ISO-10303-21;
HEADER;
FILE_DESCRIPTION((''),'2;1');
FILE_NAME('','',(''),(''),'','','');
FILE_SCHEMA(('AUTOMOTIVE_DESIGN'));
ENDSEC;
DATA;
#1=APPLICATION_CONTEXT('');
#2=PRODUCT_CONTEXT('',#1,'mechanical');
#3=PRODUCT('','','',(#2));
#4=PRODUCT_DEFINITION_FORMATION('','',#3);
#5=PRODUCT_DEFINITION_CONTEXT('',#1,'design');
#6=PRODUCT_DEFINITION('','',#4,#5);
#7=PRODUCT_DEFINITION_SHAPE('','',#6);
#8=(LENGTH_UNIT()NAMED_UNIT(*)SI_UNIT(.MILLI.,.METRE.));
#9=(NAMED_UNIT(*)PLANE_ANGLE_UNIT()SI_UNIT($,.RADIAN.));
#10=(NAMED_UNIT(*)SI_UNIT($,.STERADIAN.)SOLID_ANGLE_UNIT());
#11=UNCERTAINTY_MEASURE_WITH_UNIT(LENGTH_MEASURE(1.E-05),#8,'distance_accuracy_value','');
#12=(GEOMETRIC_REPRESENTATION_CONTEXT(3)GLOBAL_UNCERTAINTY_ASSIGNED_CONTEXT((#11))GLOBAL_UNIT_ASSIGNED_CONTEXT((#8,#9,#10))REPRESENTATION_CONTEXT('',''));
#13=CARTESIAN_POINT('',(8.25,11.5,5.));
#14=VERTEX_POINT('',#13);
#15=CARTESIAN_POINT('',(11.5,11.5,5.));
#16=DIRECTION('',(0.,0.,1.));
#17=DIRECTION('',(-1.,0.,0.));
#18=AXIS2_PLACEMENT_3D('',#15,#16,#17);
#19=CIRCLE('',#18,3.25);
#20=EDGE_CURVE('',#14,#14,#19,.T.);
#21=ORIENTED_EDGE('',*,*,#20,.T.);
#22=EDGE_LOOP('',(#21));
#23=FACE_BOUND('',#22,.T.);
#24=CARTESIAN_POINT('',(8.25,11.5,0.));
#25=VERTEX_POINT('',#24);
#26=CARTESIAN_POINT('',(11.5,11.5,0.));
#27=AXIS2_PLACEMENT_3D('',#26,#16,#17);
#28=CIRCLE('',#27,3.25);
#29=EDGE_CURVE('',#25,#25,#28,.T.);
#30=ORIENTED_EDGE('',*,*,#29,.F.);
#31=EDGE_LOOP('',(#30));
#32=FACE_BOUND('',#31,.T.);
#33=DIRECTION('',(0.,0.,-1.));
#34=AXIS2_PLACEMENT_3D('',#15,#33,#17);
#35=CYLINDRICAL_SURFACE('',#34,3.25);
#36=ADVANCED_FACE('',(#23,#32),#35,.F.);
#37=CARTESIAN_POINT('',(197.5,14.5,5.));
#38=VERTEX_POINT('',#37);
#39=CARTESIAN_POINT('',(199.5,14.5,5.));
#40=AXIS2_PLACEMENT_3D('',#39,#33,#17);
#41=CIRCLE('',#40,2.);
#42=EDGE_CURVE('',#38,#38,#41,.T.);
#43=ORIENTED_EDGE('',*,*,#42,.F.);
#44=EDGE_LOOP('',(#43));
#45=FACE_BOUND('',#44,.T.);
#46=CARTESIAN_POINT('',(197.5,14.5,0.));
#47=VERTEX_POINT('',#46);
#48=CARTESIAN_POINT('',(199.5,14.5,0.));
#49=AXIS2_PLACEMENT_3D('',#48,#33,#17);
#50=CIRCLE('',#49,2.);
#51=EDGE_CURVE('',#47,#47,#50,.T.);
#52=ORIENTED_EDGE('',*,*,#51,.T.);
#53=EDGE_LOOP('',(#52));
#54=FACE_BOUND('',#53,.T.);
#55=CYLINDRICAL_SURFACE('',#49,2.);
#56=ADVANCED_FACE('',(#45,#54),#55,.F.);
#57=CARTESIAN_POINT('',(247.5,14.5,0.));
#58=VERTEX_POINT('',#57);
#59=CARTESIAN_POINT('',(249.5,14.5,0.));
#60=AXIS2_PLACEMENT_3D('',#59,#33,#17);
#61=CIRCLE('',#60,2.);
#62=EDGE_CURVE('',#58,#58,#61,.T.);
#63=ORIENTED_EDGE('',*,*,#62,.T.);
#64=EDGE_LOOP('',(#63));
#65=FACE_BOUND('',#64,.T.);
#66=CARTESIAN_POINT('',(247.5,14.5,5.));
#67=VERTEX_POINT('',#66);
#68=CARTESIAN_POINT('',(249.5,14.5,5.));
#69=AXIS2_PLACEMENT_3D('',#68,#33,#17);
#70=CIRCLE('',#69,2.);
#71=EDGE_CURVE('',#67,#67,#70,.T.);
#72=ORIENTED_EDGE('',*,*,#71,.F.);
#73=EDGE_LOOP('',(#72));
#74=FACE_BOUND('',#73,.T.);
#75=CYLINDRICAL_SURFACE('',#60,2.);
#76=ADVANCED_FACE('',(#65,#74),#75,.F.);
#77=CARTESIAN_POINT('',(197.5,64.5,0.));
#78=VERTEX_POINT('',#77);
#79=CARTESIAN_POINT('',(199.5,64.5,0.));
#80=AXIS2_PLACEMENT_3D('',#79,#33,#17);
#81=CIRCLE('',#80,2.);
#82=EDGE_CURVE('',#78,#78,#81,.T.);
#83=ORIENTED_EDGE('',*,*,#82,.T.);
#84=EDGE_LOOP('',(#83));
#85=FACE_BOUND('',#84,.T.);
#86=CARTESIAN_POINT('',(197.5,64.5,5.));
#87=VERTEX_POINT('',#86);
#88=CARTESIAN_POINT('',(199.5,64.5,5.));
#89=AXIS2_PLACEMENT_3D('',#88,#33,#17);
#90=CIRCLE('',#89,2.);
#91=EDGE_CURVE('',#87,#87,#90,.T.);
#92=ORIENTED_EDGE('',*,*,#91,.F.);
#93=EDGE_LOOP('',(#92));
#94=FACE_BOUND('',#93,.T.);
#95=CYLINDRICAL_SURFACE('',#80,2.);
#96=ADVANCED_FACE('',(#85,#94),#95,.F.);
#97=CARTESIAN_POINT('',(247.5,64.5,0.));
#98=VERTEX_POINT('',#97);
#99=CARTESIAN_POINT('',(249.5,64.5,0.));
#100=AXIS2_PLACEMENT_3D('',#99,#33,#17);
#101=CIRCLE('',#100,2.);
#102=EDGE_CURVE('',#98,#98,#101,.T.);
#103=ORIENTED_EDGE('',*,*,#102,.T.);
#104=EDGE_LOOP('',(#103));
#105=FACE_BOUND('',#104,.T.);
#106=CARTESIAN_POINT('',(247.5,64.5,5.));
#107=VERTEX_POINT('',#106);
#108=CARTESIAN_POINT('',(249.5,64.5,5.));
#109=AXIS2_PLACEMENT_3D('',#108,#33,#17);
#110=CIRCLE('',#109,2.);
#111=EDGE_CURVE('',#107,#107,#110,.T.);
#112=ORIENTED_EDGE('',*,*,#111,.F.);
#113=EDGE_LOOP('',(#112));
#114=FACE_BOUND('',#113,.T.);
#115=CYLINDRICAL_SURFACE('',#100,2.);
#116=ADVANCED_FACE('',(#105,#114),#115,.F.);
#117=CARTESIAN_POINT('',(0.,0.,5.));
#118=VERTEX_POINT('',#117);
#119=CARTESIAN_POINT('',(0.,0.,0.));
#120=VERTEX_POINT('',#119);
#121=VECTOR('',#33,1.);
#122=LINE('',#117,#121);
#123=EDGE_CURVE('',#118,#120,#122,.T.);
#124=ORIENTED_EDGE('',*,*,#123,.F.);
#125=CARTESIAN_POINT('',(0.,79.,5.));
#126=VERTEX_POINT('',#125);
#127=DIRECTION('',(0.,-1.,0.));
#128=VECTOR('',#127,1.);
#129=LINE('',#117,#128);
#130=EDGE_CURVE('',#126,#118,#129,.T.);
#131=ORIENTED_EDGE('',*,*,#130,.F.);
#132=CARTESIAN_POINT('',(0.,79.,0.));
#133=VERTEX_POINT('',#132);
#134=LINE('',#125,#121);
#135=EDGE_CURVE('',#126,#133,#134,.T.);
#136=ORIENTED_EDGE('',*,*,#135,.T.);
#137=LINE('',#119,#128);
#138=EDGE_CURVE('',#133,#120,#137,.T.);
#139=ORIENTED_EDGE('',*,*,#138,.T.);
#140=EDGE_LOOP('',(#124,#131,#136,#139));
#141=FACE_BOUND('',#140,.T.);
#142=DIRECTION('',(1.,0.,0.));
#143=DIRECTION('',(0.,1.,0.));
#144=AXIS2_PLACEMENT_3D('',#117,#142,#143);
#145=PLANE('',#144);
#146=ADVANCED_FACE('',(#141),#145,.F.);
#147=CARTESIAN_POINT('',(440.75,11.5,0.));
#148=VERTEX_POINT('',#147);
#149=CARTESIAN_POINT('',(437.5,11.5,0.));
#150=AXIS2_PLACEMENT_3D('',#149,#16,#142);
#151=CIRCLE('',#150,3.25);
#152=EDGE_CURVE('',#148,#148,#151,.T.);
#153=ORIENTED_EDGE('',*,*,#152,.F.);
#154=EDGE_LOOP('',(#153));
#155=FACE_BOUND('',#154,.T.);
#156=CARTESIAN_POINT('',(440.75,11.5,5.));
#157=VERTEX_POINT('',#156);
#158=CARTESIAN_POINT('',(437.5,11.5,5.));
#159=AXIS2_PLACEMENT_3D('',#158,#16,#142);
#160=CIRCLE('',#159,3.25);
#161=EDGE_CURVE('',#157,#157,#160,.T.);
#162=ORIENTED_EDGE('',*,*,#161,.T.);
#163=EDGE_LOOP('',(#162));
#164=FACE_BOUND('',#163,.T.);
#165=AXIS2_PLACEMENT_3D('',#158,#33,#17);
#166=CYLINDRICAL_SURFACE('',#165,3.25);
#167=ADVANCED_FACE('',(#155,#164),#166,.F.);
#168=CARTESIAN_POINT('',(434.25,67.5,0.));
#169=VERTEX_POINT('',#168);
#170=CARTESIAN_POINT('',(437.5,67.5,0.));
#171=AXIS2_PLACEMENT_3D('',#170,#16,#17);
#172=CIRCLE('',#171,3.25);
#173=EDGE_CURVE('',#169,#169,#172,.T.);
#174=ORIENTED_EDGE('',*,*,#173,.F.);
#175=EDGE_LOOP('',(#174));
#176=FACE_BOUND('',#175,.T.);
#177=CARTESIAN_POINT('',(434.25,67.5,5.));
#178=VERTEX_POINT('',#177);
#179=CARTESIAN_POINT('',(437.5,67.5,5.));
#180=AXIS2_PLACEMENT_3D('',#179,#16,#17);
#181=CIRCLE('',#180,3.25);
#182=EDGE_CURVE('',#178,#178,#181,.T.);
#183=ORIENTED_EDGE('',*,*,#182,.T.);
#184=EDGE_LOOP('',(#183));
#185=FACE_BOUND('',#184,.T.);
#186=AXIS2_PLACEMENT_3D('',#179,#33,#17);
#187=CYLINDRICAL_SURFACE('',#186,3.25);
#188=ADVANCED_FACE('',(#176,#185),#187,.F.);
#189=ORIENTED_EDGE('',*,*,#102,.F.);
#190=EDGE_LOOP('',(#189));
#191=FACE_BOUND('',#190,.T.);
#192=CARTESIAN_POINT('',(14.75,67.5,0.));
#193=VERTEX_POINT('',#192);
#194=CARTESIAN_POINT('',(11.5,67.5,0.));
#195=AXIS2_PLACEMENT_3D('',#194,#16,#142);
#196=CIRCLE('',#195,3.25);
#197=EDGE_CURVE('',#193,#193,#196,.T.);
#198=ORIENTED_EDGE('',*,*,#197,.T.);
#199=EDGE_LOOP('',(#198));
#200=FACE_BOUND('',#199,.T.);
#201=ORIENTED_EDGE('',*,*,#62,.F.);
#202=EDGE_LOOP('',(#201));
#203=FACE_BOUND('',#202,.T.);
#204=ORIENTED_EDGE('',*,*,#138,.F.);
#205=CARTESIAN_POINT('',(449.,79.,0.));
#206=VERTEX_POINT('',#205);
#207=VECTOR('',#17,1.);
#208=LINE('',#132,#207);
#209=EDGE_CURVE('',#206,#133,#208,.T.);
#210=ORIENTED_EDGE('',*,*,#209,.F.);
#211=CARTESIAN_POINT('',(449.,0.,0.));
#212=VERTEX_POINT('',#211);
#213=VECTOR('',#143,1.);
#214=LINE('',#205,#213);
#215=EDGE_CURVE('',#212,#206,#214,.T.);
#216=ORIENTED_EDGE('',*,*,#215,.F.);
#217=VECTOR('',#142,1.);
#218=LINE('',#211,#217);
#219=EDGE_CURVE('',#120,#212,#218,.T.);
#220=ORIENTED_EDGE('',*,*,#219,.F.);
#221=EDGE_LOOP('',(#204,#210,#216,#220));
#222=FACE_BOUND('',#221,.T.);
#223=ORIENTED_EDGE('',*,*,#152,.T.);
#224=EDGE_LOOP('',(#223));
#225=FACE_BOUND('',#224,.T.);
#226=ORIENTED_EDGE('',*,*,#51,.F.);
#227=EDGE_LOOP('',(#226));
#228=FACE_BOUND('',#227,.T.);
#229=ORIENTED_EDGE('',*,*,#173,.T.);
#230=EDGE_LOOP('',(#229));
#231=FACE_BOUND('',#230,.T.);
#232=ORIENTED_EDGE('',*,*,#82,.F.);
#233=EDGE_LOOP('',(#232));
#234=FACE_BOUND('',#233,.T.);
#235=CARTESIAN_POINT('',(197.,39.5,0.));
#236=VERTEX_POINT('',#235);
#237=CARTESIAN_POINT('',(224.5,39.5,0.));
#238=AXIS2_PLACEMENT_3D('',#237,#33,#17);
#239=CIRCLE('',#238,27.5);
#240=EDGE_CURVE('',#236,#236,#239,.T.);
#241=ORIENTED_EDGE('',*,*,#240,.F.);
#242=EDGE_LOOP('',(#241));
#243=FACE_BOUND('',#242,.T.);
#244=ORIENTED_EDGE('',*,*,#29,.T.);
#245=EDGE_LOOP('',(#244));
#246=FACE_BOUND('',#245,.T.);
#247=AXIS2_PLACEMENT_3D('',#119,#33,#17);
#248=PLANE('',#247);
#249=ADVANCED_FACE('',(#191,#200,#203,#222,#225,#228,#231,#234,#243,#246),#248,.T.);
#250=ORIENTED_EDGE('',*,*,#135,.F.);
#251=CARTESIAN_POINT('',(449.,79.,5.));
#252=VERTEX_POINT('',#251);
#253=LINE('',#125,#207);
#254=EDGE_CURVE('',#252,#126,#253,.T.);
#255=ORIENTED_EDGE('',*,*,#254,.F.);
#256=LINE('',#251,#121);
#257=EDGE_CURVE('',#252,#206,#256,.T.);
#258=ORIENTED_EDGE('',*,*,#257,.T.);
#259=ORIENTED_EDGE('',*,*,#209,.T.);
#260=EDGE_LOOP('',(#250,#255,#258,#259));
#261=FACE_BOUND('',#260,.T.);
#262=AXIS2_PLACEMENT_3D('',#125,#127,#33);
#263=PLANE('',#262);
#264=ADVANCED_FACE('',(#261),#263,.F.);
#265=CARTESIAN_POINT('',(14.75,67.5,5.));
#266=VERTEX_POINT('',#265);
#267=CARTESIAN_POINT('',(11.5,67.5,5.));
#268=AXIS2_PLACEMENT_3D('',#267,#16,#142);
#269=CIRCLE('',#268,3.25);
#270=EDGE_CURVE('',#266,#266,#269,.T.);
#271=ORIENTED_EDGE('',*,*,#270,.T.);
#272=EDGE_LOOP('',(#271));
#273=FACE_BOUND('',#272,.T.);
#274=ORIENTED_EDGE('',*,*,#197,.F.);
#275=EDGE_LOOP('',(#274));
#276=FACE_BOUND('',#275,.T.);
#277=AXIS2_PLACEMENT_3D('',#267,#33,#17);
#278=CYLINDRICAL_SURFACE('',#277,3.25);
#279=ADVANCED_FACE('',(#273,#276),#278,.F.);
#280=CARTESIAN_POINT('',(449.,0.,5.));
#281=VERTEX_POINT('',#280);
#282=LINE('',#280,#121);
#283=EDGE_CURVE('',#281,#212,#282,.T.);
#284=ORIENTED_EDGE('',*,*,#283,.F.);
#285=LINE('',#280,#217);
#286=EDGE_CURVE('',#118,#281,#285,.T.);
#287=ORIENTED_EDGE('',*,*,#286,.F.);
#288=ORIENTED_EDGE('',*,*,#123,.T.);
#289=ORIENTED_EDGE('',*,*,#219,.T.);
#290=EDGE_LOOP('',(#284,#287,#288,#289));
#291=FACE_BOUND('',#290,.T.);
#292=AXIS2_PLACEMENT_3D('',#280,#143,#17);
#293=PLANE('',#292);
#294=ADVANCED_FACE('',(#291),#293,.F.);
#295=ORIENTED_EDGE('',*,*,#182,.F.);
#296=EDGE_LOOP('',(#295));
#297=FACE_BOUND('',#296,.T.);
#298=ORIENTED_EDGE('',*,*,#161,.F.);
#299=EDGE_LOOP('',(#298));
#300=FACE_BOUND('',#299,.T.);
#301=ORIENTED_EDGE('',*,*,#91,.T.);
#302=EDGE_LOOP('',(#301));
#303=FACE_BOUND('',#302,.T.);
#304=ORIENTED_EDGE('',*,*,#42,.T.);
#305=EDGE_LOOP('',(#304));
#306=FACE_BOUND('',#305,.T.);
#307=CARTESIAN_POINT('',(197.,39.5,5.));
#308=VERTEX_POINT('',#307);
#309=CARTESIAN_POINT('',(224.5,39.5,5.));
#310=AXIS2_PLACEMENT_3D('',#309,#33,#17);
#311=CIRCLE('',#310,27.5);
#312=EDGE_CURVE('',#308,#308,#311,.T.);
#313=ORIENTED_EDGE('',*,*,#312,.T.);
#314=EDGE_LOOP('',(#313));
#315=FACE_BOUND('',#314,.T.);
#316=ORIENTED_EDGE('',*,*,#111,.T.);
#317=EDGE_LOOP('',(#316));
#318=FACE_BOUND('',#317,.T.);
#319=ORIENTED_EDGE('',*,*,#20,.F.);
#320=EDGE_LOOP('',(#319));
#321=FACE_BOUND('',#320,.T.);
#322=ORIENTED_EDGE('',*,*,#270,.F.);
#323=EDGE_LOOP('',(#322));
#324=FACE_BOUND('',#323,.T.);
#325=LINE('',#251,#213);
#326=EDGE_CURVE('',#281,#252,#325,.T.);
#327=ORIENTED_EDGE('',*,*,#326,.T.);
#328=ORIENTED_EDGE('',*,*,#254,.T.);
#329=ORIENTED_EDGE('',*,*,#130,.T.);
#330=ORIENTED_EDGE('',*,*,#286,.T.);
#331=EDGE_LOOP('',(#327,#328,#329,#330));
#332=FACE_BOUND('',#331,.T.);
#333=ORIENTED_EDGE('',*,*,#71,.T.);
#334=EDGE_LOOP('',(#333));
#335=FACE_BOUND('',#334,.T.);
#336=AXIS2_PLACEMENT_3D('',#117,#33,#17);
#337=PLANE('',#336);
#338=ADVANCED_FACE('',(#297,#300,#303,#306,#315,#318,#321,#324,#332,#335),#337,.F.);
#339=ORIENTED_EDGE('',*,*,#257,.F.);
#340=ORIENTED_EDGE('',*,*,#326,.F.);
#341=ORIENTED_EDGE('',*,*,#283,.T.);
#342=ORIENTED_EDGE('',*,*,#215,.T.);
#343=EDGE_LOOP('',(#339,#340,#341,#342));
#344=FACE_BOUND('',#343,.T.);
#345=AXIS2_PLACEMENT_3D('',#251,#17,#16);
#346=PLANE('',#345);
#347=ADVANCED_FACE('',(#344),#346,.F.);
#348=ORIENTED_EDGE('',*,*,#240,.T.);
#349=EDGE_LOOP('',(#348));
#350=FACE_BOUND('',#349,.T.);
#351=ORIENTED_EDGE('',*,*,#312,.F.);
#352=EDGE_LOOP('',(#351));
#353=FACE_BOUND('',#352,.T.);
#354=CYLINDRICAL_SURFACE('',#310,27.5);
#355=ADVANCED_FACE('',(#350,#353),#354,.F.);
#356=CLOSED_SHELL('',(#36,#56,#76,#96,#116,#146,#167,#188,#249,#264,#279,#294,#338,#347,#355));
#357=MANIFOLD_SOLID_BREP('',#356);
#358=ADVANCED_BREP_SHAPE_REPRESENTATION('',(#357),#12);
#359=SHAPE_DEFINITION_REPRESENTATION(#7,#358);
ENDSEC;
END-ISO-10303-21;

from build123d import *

# Parameters (mm, degrees)
SKETCH_F_W                   = 449
SKETCH_F_H                   = 79
SKETCH_F_R                   = 3.25
ESTRUSIONE_ESTRUSIONE1_DEPTH = 5
F_4_0_4_DIAMETER_HOLE1_D     = 4
SKETCH5_R                    = 27.5
CUT_EXTRUDE1_DEPTH           = 6


with BuildPart() as part:
    # f → Estrusione-Estrusione1 (new body)
    with BuildSketch(Plane.XY):
        with Locations((224.5, 39.5)):
            Rectangle(SKETCH_F_W, SKETCH_F_H)
        with Locations((11.5, 67.5)):
            Circle(SKETCH_F_R, mode=Mode.SUBTRACT)
        with Locations((437.5, 67.5)):
            Circle(SKETCH_F_R, mode=Mode.SUBTRACT)
        with Locations((11.5, 11.5)):
            Circle(SKETCH_F_R, mode=Mode.SUBTRACT)
        with Locations((437.5, 11.5)):
            Circle(SKETCH_F_R, mode=Mode.SUBTRACT)
    extrude(amount=ESTRUSIONE_ESTRUSIONE1_DEPTH)

    # Ø4.0 (4) Diameter Hole1 (through all)
    with Locations(Plane(origin=(0, 0, 0), x_dir=(-1, 0, 0), z_dir=(0, 0, -1))):
        with Locations((-249.5, 64.5), (-199.5, 64.5), (-249.5, 14.5), (-199.5, 14.5)):
            Hole(F_4_0_4_DIAMETER_HOLE1_D / 2)

    # Sketch5 → Cut-Extrude1 (cut, through all)
    with BuildSketch(Plane(origin=(0, 0, 0), x_dir=(-1, 0, 0), z_dir=(0, 0, -1))):
        with Locations((-224.5, 39.5)):
            Circle(SKETCH5_R)
    extrude(amount=-CUT_EXTRUDE1_DEPTH, mode=Mode.SUBTRACT)


solid = part.part
